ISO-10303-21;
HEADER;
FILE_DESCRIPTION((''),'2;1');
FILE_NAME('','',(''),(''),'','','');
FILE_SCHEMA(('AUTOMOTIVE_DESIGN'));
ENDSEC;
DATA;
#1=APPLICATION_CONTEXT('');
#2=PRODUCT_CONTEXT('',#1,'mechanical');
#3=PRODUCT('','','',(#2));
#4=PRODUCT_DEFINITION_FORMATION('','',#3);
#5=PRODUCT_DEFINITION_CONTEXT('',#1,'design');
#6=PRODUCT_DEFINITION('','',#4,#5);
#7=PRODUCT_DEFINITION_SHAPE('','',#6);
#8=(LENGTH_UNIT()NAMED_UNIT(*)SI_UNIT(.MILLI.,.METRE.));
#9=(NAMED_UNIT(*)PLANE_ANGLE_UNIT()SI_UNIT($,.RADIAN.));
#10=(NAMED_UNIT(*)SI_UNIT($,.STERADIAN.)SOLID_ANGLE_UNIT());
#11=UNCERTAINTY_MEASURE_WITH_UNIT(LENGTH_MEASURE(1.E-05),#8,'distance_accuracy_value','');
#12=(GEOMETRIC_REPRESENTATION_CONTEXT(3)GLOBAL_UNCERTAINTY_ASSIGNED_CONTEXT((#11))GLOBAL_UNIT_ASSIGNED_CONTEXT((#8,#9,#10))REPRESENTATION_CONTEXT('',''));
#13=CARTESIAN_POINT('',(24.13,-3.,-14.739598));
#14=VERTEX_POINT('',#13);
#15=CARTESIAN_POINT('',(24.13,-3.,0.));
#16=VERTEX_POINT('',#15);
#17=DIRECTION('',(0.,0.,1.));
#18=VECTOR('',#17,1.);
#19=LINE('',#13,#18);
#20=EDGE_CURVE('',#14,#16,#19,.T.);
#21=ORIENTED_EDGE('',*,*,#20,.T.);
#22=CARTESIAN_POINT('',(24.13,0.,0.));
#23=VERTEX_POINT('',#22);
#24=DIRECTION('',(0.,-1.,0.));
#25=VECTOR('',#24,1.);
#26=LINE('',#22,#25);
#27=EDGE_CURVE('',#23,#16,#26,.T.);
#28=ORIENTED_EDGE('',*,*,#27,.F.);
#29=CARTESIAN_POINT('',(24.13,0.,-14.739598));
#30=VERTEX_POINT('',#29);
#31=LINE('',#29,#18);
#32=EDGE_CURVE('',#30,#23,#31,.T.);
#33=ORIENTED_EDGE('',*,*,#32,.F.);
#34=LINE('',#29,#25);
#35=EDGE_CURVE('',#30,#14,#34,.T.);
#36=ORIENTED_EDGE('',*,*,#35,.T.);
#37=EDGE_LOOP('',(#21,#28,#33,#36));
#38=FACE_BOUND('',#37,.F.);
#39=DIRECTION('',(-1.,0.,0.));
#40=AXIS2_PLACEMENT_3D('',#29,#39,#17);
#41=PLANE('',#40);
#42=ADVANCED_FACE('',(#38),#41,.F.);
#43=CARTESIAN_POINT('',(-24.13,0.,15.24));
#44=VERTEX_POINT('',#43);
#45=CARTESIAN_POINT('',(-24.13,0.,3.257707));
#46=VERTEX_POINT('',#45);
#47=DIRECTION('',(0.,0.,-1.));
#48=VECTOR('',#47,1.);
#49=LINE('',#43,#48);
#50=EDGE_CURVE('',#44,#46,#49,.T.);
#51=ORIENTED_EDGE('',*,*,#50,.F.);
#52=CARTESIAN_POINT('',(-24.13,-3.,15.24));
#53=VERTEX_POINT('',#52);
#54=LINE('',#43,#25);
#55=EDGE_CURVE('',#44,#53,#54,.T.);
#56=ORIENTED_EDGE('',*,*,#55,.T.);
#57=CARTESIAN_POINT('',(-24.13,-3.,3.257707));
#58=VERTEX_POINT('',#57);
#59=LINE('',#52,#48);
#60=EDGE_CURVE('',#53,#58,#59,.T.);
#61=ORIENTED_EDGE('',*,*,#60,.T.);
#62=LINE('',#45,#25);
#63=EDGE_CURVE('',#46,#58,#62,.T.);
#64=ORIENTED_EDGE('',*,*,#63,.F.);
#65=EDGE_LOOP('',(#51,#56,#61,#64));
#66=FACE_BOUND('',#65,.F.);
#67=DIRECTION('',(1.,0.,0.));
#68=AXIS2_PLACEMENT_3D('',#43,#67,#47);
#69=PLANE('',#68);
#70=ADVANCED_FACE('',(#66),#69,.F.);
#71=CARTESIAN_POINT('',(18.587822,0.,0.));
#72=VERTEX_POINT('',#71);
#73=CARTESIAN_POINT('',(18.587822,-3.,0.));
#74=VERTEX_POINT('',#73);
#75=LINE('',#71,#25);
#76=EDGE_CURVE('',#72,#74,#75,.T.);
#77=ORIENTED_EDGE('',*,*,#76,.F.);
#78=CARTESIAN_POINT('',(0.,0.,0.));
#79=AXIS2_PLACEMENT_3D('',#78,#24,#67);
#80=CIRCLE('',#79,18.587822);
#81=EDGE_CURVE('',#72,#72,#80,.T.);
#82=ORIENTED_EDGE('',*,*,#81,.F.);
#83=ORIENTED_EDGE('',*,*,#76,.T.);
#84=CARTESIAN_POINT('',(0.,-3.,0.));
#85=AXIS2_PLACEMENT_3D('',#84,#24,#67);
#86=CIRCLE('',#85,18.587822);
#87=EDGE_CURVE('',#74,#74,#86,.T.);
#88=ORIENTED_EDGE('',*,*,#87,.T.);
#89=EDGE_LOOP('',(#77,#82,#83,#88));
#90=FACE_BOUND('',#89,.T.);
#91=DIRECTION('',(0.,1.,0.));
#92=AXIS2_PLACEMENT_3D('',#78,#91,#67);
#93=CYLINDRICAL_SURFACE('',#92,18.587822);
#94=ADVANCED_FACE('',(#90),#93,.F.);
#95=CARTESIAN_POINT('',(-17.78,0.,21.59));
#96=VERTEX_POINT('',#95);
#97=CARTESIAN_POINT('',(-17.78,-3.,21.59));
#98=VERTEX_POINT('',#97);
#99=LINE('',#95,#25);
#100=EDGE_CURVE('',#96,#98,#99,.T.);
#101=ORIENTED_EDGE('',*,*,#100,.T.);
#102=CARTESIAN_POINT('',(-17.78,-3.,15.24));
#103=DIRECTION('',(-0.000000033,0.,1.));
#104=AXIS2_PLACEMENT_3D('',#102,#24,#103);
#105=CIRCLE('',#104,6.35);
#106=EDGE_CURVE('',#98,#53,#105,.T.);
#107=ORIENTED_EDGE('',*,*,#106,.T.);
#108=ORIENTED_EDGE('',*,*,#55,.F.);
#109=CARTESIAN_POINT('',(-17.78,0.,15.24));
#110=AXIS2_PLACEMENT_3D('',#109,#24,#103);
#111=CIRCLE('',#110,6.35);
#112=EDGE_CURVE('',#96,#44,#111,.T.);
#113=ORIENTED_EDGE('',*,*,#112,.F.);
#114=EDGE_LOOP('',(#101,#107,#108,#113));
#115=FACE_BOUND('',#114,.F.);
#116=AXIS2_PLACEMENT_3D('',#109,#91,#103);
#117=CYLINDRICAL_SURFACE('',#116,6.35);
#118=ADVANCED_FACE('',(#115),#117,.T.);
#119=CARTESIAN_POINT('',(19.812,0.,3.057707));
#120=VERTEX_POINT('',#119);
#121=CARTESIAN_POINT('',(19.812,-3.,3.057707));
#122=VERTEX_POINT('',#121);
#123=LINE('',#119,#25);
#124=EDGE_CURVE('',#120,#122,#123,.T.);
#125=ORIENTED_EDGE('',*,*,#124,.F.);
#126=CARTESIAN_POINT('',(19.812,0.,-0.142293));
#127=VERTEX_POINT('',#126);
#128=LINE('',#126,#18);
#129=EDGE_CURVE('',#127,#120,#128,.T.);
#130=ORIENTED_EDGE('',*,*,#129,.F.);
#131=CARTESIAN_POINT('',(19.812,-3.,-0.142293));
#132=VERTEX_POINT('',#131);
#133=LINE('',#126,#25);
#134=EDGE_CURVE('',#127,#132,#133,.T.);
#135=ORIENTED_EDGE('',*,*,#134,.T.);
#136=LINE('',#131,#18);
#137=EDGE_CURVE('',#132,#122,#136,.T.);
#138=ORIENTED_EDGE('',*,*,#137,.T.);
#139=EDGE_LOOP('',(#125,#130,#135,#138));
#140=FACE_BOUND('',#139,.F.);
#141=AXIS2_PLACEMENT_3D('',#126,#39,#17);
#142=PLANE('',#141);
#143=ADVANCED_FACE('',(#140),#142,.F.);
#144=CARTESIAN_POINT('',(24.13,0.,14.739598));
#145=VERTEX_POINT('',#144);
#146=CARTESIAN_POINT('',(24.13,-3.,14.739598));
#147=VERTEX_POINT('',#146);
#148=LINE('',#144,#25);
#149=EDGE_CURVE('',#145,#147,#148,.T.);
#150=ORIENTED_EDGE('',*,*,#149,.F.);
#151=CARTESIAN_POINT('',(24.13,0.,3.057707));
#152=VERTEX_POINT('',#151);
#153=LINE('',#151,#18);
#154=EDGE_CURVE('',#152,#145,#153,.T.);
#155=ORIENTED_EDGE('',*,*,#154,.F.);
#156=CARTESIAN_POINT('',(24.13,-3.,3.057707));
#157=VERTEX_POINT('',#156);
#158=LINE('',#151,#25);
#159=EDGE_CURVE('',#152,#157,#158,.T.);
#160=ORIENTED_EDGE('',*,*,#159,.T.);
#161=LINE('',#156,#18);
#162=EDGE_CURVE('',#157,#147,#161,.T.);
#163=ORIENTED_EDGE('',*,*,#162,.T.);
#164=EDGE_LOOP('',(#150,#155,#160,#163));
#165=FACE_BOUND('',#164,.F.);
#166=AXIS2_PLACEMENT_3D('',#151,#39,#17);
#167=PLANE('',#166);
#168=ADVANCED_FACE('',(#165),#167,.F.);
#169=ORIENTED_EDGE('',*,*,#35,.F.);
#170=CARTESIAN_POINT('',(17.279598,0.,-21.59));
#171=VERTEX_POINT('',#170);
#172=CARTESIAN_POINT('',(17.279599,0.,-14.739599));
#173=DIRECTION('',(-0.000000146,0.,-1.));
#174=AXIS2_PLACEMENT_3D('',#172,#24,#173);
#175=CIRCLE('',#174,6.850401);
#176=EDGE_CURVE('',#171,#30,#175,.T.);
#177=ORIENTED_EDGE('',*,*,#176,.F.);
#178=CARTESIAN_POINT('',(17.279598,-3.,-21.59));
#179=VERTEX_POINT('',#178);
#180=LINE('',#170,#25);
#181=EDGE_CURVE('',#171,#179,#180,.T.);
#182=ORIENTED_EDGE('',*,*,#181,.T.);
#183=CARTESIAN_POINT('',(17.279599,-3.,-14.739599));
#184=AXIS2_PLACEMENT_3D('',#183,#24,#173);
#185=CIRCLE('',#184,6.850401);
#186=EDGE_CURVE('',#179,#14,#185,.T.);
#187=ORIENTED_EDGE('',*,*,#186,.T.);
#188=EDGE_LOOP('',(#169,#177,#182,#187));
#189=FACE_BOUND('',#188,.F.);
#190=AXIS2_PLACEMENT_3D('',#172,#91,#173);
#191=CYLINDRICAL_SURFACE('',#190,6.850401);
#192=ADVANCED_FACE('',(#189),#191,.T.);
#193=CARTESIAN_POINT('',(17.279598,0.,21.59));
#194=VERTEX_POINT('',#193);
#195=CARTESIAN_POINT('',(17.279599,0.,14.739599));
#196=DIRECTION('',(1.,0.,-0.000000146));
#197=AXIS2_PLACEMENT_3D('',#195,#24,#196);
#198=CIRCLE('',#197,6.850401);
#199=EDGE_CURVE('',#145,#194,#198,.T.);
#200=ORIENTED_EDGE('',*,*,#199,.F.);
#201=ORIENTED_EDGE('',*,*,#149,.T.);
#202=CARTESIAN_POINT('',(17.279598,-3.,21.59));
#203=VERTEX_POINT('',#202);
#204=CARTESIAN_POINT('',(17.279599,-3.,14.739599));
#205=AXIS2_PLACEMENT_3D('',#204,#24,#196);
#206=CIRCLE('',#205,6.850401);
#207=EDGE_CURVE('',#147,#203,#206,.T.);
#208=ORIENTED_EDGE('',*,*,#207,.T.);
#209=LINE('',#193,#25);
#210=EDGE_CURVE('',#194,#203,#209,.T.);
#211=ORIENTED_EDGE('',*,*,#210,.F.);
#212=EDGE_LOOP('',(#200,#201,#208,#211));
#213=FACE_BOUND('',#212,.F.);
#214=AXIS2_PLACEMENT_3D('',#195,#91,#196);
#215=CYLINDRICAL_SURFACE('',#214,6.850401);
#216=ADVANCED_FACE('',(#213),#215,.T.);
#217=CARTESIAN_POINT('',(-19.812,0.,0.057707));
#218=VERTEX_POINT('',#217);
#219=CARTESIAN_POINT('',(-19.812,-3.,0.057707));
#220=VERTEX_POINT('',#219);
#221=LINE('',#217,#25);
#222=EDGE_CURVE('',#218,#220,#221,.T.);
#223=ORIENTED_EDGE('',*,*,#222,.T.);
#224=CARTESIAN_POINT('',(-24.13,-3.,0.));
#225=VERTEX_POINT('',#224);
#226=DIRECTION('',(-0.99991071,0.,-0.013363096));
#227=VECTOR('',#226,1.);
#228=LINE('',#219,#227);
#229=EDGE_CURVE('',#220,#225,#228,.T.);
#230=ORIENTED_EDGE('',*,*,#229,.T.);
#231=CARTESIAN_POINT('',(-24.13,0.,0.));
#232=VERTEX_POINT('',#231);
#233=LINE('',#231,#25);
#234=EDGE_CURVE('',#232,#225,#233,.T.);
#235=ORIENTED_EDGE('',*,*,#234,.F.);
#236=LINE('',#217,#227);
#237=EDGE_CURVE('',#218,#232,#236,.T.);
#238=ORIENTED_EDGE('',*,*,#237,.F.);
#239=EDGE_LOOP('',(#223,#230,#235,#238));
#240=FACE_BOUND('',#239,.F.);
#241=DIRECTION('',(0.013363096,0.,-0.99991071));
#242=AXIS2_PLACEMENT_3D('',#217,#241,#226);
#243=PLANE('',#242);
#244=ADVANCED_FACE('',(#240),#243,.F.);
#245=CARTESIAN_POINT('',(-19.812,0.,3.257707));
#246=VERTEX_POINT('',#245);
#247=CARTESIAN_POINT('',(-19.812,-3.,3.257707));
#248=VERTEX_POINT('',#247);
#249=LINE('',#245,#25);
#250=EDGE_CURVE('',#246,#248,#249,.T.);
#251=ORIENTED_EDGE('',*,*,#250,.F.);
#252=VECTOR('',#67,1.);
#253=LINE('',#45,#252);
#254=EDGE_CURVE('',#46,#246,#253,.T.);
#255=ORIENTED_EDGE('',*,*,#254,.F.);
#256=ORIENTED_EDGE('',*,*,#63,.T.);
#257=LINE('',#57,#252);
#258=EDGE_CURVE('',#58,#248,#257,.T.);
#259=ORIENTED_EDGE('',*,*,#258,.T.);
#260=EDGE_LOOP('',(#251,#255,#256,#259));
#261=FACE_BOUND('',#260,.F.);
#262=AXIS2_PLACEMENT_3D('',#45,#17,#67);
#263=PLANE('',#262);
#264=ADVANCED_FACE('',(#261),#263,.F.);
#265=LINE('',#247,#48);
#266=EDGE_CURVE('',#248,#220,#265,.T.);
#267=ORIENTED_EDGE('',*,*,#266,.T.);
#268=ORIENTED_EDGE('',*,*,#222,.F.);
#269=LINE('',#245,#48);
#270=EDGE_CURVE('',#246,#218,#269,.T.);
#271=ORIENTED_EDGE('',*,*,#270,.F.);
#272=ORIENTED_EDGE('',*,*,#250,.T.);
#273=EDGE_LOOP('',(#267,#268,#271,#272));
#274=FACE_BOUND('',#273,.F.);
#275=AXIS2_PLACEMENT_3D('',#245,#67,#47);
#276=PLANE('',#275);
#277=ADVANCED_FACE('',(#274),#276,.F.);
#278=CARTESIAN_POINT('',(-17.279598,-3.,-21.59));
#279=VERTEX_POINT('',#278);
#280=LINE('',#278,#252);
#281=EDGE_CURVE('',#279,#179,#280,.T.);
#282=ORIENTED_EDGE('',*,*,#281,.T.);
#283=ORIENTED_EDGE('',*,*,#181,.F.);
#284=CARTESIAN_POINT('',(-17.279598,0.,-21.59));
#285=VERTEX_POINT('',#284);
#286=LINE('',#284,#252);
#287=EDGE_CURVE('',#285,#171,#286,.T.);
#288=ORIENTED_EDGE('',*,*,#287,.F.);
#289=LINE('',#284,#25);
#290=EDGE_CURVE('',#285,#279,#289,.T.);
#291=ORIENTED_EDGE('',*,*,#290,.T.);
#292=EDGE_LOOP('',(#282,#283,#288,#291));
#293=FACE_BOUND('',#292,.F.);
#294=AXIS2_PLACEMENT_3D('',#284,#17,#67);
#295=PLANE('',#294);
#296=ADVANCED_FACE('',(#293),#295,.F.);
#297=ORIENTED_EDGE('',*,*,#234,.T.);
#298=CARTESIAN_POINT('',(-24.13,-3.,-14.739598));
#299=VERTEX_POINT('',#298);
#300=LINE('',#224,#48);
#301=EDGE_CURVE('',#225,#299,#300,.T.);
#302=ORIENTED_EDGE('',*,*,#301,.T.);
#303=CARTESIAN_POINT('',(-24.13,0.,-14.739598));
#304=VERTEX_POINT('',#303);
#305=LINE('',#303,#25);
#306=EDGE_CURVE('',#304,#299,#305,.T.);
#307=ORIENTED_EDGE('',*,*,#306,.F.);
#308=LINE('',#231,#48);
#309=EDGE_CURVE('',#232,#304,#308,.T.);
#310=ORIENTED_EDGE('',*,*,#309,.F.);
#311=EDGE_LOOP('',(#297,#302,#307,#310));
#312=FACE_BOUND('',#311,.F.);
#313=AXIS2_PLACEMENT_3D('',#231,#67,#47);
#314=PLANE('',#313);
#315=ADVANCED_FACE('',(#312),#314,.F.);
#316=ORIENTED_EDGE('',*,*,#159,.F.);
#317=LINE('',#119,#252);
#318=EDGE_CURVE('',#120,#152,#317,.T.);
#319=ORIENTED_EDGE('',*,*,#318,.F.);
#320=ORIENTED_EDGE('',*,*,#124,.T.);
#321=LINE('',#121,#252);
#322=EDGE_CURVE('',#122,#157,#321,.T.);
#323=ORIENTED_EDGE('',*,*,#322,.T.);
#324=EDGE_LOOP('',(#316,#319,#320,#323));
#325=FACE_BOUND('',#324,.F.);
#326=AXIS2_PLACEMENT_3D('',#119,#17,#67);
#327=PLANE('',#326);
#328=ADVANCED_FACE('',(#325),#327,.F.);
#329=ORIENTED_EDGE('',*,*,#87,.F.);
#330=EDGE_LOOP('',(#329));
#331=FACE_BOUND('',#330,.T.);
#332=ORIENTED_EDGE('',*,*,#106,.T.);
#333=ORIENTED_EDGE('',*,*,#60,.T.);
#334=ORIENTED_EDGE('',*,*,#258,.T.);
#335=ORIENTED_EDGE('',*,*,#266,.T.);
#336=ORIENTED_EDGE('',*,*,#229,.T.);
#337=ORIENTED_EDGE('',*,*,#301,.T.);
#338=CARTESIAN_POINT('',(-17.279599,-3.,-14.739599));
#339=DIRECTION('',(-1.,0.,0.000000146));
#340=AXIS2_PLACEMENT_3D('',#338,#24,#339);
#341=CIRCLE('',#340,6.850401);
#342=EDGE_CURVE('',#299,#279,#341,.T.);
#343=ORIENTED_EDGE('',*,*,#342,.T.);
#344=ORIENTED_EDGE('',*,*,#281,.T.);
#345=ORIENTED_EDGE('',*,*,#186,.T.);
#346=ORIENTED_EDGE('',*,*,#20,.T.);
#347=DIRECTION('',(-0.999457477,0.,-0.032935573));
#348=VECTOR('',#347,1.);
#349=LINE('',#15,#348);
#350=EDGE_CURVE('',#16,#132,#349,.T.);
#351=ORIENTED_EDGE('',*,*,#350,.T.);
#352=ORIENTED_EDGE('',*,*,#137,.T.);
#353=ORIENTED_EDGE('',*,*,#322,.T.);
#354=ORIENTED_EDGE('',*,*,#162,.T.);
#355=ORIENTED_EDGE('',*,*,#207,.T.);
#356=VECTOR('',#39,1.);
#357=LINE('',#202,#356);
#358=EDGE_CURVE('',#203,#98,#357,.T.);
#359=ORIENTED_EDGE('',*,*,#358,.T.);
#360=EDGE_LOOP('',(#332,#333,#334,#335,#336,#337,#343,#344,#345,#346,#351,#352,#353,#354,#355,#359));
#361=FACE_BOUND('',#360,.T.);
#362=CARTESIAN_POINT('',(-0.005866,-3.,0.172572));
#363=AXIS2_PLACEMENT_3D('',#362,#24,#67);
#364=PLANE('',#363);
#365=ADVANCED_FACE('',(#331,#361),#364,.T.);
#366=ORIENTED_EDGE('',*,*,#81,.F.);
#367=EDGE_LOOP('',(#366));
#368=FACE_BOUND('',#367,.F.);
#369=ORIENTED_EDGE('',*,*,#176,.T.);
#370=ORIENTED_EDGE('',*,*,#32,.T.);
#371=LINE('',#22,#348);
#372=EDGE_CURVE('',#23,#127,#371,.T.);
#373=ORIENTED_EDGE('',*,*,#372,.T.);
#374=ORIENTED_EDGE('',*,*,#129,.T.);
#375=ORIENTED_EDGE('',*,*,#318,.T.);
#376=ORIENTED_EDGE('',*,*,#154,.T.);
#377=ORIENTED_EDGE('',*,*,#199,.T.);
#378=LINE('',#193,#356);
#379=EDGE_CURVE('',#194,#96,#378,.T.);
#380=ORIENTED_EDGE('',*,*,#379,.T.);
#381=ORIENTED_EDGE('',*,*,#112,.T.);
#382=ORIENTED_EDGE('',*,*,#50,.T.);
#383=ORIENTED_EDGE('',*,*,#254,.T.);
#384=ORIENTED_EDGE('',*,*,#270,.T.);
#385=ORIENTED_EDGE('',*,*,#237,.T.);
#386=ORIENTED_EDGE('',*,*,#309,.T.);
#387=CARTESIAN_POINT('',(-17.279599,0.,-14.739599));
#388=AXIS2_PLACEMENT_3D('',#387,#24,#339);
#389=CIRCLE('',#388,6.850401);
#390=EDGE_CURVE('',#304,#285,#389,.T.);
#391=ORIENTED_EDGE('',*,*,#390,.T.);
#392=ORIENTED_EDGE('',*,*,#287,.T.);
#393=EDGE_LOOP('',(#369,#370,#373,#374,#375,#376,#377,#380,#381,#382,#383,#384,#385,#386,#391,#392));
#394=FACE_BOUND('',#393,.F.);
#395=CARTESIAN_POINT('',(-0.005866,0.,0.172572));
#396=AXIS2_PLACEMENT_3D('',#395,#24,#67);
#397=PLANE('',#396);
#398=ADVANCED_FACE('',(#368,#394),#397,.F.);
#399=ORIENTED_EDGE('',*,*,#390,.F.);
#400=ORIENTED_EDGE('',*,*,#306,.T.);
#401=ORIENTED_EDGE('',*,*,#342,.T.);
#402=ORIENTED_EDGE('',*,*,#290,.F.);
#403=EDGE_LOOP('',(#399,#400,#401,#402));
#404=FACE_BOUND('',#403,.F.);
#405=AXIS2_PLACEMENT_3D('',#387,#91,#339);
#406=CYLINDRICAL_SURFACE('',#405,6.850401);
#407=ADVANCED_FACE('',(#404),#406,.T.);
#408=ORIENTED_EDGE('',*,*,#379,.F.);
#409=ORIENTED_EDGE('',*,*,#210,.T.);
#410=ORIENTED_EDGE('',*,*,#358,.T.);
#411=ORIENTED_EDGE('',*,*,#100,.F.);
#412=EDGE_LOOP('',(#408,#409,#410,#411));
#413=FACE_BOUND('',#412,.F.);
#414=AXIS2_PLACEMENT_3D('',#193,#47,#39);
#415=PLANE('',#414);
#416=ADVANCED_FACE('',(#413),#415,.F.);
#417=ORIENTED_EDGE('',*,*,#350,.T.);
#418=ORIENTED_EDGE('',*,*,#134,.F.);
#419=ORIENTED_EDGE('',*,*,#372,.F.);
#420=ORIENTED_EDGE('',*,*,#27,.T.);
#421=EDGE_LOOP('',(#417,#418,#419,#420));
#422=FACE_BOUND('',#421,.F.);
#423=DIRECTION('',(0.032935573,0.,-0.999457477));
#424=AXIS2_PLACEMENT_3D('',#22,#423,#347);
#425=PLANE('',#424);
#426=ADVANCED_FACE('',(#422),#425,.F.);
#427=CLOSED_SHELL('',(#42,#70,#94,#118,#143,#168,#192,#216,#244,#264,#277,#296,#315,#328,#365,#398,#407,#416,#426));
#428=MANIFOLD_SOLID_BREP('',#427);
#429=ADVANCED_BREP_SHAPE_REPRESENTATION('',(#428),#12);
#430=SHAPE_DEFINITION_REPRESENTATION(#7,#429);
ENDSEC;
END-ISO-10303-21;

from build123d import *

# Parameters (mm, degrees)
F0_R     = 18.587822
F1_DEPTH = 3


with BuildPart() as f1:
    # F0 (on Front) → F1 (new body)
    with BuildSketch(Plane.XZ):
        with BuildLine():
            Line((17.279598, 21.59), (-17.78, 21.59))
            ThreePointArc((-17.78, 21.59), (-22.270128, 19.730128), (-24.13, 15.24))
            Line((-24.13, 15.24), (-24.13, 3.257707))
            Line((-24.13, 3.257707), (-19.812, 3.257707))
            Line((-19.812, 3.257707), (-19.812, 0.057707))
            Line((-19.812, 0.057707), (-24.13, 0))
            Line((-24.13, 0), (-24.13, -14.739598))
            ThreePointArc((-24.13, -14.739598), (-22.123564, -19.583564), (-17.279598, -21.59))
            Line((-17.279598, -21.59), (17.279598, -21.59))
            ThreePointArc((17.279598, -21.59), (22.123564, -19.583564), (24.13, -14.739598))
            Line((24.13, -14.739598), (24.13, 0))
            Line((24.13, 0), (19.812, -0.142293))
            Line((19.812, -0.142293), (19.812, 3.057707))
            Line((19.812, 3.057707), (24.13, 3.057707))
            Line((24.13, 3.057707), (24.13, 14.739598))
            ThreePointArc((24.13, 14.739598), (22.123564, 19.583564), (17.279598, 21.59))
        make_face()
        Circle(F0_R, mode=Mode.SUBTRACT)
    extrude(amount=F1_DEPTH)


solid = f1.part
